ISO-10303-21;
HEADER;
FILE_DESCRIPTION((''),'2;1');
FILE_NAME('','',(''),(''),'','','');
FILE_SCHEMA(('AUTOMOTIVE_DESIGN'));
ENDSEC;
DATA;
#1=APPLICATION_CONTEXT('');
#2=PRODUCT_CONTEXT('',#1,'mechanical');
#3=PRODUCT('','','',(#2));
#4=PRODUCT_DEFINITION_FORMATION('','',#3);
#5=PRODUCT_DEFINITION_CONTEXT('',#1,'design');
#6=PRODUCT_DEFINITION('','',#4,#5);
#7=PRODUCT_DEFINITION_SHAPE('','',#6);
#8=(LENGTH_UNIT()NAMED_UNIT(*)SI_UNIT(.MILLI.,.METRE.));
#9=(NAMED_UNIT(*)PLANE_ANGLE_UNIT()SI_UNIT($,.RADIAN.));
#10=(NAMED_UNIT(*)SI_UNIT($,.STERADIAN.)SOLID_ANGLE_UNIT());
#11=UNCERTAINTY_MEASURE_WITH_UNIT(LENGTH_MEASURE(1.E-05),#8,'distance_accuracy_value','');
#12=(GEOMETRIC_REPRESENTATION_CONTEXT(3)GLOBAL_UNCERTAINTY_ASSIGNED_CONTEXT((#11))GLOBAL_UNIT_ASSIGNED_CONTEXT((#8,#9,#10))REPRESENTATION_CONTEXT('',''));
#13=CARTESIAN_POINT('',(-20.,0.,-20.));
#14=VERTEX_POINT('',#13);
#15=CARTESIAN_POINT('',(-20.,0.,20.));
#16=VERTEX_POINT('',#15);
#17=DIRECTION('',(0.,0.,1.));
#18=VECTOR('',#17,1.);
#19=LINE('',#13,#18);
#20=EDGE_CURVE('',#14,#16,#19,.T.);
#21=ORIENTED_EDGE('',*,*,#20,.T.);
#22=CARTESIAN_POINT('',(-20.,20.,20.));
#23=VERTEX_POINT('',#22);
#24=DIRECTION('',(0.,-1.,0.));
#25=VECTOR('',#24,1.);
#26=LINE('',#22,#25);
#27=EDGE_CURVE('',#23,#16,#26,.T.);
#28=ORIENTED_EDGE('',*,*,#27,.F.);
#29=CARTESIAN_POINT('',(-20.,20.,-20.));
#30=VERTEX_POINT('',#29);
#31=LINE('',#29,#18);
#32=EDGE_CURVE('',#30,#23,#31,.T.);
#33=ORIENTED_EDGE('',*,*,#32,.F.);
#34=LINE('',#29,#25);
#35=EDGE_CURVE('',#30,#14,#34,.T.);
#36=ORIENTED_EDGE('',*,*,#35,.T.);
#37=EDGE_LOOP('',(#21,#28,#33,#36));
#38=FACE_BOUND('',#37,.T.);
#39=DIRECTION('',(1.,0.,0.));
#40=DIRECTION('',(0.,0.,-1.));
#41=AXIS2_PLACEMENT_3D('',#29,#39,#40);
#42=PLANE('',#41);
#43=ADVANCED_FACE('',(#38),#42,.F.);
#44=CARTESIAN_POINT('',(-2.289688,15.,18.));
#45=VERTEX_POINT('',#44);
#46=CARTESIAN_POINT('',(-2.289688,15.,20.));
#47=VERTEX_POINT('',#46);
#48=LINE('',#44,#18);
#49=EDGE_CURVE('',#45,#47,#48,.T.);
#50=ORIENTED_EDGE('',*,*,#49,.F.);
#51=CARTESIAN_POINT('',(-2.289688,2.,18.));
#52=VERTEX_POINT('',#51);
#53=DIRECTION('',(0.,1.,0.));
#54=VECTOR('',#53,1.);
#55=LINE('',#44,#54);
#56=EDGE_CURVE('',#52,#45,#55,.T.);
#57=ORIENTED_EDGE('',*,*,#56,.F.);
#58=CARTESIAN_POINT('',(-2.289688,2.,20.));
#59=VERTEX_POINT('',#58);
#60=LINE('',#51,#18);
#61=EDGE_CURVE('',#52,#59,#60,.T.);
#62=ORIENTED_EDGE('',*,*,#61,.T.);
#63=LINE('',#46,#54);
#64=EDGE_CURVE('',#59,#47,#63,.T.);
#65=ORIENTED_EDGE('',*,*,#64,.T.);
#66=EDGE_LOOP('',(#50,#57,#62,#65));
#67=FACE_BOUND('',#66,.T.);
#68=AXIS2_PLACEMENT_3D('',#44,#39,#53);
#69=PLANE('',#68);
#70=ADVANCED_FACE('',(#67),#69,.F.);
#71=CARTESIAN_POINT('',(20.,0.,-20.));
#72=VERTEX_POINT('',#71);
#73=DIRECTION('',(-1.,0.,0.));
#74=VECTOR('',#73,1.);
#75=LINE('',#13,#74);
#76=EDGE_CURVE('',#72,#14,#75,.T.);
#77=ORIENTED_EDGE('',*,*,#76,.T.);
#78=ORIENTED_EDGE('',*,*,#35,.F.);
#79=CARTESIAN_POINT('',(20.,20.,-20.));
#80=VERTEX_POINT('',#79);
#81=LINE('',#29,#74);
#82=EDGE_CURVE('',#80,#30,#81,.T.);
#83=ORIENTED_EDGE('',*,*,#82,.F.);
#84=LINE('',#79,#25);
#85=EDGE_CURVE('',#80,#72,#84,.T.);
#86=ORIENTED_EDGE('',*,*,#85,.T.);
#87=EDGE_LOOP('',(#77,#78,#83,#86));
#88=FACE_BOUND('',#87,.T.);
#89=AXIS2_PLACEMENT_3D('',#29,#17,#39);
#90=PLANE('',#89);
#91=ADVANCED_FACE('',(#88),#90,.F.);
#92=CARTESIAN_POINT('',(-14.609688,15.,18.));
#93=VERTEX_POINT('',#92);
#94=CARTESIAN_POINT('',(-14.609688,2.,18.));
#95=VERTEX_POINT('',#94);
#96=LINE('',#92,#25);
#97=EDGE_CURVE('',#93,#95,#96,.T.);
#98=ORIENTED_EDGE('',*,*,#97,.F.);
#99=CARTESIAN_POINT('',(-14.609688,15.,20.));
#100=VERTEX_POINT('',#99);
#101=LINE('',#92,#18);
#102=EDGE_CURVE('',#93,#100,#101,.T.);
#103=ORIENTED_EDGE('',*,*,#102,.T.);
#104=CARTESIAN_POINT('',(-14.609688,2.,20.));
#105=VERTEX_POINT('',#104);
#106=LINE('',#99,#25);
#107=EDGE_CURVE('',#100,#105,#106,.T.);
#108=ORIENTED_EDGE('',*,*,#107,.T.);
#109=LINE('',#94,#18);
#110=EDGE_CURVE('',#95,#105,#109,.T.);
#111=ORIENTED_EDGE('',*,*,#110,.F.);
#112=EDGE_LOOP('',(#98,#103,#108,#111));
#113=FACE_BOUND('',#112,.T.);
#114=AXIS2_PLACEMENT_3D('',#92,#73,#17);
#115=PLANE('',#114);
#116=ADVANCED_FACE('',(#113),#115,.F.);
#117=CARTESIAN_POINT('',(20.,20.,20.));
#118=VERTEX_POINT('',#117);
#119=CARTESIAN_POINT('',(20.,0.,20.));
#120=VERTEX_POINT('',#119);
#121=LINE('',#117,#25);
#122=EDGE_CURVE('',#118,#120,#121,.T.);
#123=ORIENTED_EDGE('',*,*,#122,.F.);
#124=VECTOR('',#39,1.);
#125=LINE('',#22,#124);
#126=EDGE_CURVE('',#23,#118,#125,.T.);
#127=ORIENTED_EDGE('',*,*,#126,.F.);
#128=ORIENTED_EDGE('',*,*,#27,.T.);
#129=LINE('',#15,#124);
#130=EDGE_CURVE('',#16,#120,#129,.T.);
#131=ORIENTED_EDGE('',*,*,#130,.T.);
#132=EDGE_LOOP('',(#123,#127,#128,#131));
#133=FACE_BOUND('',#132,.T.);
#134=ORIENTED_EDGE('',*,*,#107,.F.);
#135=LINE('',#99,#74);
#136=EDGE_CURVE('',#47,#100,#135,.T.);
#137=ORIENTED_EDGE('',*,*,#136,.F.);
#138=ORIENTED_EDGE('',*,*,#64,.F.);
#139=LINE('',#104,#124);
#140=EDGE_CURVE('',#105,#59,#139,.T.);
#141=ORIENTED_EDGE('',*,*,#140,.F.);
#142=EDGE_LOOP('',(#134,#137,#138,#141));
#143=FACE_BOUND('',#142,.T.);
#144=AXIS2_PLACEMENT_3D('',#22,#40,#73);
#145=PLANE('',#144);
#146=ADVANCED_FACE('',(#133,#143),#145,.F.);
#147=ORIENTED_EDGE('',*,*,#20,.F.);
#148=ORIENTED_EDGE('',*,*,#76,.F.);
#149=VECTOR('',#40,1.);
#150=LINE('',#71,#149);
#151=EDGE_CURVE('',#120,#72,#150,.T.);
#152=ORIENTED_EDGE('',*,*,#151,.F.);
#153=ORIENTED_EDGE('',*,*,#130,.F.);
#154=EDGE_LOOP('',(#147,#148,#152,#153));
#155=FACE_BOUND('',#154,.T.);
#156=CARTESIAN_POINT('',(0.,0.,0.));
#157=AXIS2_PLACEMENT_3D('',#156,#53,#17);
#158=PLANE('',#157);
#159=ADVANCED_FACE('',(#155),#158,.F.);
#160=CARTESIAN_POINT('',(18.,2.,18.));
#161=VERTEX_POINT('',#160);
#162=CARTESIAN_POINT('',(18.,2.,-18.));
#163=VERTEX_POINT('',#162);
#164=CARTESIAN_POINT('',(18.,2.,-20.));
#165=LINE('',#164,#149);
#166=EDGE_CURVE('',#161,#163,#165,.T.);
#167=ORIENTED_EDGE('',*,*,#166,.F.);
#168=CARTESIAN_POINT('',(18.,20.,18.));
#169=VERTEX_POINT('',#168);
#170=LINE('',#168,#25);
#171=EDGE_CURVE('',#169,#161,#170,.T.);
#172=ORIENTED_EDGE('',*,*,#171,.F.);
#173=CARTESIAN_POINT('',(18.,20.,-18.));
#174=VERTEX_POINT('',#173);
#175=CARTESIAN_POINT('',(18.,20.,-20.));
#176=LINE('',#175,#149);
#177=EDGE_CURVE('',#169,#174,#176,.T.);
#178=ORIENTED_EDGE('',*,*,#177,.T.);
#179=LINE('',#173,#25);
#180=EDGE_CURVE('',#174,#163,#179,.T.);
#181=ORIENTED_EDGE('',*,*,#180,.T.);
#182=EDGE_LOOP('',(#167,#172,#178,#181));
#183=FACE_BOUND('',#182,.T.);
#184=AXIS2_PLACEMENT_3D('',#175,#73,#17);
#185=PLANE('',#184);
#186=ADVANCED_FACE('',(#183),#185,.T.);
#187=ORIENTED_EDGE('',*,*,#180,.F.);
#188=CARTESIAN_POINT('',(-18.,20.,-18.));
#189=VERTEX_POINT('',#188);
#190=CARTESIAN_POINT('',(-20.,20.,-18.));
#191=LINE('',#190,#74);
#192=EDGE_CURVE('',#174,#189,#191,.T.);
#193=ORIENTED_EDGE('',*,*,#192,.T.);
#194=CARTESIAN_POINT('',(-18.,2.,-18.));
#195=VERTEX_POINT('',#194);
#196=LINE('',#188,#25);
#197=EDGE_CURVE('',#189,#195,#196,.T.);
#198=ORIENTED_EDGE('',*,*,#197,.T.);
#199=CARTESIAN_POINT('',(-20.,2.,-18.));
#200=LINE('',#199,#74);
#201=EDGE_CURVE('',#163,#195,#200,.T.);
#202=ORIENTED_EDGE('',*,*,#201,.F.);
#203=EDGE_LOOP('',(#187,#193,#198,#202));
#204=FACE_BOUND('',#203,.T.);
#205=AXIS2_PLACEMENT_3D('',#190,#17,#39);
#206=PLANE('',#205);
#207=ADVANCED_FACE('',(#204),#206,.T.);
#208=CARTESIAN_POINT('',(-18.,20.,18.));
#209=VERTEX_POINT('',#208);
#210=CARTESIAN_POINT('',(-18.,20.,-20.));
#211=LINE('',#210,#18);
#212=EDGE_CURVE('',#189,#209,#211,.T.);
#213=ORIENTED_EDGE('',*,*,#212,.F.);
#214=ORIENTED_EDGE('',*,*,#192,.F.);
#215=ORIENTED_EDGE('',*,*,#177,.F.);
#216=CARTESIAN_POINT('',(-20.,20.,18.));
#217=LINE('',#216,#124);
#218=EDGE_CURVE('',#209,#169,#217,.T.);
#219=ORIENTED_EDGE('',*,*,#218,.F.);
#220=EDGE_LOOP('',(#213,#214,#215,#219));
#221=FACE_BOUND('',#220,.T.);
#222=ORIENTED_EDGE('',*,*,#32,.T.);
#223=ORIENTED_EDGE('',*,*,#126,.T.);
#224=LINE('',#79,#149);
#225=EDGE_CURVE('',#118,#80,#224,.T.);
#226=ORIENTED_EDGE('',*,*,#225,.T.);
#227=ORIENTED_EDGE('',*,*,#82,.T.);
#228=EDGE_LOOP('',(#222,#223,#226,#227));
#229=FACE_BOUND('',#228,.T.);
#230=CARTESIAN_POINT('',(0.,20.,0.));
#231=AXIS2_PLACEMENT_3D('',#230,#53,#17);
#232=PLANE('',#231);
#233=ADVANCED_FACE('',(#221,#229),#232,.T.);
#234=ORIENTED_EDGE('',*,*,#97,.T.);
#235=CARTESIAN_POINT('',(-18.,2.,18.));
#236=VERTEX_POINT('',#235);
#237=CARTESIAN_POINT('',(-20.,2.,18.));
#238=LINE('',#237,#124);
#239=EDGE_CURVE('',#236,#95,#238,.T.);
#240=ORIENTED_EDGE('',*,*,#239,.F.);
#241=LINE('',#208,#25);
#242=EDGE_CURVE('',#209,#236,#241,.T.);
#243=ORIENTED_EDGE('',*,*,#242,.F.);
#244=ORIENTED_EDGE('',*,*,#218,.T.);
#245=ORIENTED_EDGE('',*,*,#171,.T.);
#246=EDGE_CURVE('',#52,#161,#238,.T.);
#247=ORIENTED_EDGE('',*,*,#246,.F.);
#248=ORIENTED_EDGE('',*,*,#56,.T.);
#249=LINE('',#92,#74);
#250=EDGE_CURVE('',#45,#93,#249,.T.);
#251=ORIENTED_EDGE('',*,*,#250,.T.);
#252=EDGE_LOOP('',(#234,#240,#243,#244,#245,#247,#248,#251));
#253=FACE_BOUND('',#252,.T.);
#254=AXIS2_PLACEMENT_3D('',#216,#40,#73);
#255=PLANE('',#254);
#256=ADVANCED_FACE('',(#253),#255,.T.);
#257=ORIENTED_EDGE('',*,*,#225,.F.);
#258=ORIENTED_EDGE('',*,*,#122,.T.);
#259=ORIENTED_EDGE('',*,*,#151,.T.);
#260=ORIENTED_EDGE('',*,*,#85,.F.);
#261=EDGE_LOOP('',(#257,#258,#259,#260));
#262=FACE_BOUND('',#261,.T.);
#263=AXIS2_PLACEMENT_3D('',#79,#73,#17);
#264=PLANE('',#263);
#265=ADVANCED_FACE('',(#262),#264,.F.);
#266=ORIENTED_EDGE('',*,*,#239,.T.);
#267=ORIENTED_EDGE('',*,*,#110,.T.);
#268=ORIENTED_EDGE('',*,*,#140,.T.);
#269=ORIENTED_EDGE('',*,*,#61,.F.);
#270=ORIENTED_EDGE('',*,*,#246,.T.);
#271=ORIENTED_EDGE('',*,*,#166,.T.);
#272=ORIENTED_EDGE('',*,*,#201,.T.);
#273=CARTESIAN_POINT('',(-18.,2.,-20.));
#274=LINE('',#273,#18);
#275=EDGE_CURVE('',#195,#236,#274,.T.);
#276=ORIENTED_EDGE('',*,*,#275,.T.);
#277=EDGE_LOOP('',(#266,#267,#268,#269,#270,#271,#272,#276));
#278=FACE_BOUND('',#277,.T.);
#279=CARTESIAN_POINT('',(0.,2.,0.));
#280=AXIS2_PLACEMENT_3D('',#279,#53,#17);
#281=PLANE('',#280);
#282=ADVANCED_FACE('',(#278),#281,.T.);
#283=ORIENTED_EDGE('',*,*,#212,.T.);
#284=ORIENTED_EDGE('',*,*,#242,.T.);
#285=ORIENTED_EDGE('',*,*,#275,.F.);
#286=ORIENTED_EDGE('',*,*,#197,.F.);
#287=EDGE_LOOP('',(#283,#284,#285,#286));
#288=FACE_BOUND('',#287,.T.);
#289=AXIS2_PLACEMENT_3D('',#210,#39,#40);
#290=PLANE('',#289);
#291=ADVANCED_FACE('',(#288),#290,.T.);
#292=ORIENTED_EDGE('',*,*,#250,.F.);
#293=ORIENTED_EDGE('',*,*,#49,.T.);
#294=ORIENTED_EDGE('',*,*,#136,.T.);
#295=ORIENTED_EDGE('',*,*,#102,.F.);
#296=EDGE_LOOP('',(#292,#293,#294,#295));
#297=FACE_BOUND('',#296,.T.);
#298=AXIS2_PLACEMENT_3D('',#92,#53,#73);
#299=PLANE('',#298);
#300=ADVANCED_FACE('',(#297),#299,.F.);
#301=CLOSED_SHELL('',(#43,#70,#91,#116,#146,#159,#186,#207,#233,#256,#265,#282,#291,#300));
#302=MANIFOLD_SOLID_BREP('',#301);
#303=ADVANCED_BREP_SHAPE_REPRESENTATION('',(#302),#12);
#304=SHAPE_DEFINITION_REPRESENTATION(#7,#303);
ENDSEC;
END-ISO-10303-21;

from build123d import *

# Parameters (mm, degrees)
SKETCH4_W           = 40
SKETCH4_H           = 40
BOSS_EXTRUDE3_DEPTH = 20
SHELL7_T            = -2
SKETCH5_W           = 12.32
SKETCH5_H           = 13
CUT_EXTRUDE1_DEPTH  = 2


with BuildPart() as part:
    # Sketch4 → Boss-Extrude3 (new body)
    with BuildSketch(Plane(origin=(0, 0, 0), x_dir=(1, 0, 0), z_dir=(0, 1, 0))):
        Rectangle(SKETCH4_W, SKETCH4_H)
    extrude(amount=BOSS_EXTRUDE3_DEPTH)

    # Shell7
    shell7_openings = [part.faces().sort_by_distance(p)[0] for p in [
        (0, 20, 0),
    ]]
    offset(amount=SHELL7_T, openings=shell7_openings, kind=Kind.INTERSECTION)

    # Sketch5 → Cut-Extrude1 (cut)
    with BuildSketch(Plane.XY.offset(20)):
        with Locations((-8.449687556, 8.5)):
            Rectangle(SKETCH5_W, SKETCH5_H)
    extrude(amount=-CUT_EXTRUDE1_DEPTH, mode=Mode.SUBTRACT)


solid = part.part
